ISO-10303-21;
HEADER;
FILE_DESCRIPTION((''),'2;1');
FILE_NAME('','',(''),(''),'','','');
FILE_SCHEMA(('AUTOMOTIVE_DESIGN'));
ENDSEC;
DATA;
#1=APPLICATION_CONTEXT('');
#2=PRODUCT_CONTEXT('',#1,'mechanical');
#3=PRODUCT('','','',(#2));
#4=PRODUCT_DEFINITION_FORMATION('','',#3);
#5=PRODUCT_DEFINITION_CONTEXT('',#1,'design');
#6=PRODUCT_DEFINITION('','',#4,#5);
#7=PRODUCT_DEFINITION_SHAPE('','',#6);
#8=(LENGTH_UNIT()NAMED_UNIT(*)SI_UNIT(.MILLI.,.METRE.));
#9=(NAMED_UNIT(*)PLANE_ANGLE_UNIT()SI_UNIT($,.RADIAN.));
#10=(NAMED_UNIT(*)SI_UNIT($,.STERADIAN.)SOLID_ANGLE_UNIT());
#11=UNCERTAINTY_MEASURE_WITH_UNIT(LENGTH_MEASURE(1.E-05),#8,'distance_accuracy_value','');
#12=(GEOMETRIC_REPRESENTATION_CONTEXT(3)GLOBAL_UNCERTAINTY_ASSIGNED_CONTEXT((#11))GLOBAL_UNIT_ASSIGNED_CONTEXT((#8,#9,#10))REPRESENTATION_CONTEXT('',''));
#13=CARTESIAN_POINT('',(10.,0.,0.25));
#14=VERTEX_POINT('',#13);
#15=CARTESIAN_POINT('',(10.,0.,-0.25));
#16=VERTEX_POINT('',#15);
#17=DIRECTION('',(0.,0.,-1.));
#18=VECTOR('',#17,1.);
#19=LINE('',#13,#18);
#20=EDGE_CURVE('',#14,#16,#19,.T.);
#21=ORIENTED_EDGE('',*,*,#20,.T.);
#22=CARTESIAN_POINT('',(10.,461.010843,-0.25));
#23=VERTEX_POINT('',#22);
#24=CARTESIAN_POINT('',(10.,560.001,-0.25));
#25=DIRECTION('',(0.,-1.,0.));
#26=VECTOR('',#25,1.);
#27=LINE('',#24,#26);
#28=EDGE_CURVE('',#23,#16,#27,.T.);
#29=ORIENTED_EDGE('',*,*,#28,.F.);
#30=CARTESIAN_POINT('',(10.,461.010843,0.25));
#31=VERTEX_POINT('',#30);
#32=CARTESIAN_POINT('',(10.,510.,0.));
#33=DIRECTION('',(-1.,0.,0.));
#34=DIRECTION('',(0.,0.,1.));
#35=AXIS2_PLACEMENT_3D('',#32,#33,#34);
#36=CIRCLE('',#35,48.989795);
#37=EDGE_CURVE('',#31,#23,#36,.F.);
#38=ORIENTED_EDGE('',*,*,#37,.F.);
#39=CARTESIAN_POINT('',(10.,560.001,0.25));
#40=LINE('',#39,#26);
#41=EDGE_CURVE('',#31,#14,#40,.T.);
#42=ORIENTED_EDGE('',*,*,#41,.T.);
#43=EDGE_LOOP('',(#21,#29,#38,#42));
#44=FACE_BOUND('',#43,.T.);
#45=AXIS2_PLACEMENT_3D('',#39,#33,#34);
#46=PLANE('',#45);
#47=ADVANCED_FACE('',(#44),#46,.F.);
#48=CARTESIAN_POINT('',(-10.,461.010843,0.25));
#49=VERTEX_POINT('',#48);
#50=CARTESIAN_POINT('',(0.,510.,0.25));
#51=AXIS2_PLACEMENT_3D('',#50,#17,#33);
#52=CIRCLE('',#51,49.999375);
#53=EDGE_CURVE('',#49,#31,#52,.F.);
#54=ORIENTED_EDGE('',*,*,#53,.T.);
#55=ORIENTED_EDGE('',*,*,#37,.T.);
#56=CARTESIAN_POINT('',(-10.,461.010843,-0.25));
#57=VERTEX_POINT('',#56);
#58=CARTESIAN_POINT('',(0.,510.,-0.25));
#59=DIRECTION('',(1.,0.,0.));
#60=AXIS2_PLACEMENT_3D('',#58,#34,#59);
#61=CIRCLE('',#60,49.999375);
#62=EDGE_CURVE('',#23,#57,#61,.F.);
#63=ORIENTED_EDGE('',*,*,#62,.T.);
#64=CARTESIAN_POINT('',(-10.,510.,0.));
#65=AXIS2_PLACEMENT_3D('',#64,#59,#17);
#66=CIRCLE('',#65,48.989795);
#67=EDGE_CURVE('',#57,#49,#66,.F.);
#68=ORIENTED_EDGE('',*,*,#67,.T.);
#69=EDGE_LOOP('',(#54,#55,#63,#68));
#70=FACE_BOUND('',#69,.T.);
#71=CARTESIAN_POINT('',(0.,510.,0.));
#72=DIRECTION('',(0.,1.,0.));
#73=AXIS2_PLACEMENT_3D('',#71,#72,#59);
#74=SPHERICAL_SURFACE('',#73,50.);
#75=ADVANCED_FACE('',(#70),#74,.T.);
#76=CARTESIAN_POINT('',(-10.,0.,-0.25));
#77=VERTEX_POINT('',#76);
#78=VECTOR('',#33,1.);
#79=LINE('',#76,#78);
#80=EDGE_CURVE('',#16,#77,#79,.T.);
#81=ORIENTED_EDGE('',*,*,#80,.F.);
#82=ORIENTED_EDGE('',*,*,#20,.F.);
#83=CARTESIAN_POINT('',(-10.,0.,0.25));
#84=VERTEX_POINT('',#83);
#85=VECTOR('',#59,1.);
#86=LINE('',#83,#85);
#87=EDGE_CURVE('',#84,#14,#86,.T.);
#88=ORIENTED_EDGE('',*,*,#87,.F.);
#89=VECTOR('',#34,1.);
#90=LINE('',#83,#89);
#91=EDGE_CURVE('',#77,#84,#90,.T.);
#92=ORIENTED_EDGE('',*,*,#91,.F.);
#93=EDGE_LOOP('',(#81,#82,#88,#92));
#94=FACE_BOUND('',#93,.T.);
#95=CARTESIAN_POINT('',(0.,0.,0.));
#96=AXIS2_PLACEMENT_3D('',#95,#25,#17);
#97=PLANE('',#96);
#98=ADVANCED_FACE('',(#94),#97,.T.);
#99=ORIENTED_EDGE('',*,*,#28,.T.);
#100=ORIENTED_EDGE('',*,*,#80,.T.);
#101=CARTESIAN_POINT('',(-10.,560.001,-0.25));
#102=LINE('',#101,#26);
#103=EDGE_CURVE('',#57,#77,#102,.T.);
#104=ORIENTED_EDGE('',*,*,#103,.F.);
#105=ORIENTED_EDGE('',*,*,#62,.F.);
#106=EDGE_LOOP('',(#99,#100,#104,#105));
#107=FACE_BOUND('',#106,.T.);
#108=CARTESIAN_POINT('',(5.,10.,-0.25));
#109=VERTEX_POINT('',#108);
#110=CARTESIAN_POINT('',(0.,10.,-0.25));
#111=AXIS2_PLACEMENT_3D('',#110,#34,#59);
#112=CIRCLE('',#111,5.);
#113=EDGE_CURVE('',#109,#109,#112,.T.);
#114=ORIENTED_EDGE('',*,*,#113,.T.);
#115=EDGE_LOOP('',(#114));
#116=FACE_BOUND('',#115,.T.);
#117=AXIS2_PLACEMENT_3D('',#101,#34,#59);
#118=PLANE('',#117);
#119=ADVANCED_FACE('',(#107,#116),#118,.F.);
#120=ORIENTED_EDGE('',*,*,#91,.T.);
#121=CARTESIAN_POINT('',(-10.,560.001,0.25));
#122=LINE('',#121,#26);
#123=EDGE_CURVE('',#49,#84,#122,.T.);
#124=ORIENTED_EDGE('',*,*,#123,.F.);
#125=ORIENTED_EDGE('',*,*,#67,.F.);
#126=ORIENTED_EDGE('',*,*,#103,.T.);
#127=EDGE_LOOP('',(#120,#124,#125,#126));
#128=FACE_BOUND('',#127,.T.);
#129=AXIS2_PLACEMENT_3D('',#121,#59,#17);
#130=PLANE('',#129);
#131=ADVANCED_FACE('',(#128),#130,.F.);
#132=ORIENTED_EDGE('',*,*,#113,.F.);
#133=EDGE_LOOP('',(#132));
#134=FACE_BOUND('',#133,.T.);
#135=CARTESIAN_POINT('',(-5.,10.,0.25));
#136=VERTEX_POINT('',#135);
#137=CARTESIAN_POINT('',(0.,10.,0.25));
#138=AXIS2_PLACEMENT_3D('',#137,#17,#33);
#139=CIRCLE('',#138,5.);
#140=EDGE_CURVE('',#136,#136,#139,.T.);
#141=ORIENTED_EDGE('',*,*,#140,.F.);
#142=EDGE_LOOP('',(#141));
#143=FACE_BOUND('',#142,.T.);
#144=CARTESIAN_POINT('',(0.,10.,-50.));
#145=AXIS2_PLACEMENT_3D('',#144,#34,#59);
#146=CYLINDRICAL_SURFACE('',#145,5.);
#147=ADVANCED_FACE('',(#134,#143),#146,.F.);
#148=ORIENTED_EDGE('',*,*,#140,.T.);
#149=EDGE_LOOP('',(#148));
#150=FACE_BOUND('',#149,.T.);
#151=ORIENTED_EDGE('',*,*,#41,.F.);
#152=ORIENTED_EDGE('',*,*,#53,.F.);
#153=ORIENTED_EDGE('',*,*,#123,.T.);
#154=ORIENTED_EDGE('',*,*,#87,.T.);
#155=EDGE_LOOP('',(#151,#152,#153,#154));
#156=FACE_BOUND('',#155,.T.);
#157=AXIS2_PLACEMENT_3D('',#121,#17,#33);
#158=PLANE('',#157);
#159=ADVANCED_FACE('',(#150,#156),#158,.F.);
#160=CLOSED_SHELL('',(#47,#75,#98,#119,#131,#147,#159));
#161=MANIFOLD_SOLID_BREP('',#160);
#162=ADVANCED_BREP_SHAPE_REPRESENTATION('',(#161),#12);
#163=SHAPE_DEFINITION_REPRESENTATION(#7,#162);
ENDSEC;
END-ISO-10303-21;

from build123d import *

# Parameters (mm, degrees)
BOSS_EXTRUDE2_REACH      = 566.447
BOSS_EXTRUDE2_END_RADIUS = 50
SKETCH6_W                = 20
SKETCH6_H                = 0.5
CUT_EXTRUDE1_DEPTH       = 565.468832178
CUT_EXTRUDE1_DEPTH_BACK  = 565.468832178
SKETCH7_R                = 5


with BuildPart() as part:
    # Sketch1 one side → Revolve3 (revolve)
    with BuildSketch(Plane.XY):
        with BuildLine():
            ThreePointArc((0, 460), (35.355339059, 474.644660941), (50, 510))
            ThreePointArc((50, 510), (35.355339059, 545.355339059), (0, 560))
            Line((0, 560), (0, 460))
        make_face()
    revolve(axis=Axis((0, 510, 0), (0, -1, 0)))

    # Boss-Extrude2: up to this sphere (the profile starts outside it)
    boss_extrude2_end = Location((0, 510, 0)) * Sphere(BOSS_EXTRUDE2_END_RADIUS, mode=Mode.PRIVATE)
    # Sketch6 → Boss-Extrude2 (add, up to the surface)
    with BuildSketch(Plane(origin=(0, 0, 0), x_dir=(1, 0, 0), z_dir=(0, 1, 0)), mode=Mode.PRIVATE) as boss_extrude2_sk1:
        Rectangle(SKETCH6_W, SKETCH6_H)
    boss_extrude2_tool1 = extrude(boss_extrude2_sk1.sketch, amount=BOSS_EXTRUDE2_REACH, mode=Mode.PRIVATE) - boss_extrude2_end
    add(boss_extrude2_tool1.solids().sort_by_distance((0, 0, 0))[0])

    # Sketch7 → Cut-Extrude1 (cut, two sides: drawn at the far end of the back side and taken through both)
    with BuildSketch(Plane.XY.offset(0.25).offset(-CUT_EXTRUDE1_DEPTH_BACK)):
        with Locations((0, 10)):
            Circle(SKETCH7_R)
    extrude(amount=CUT_EXTRUDE1_DEPTH + CUT_EXTRUDE1_DEPTH_BACK, mode=Mode.SUBTRACT)


solid = part.part
